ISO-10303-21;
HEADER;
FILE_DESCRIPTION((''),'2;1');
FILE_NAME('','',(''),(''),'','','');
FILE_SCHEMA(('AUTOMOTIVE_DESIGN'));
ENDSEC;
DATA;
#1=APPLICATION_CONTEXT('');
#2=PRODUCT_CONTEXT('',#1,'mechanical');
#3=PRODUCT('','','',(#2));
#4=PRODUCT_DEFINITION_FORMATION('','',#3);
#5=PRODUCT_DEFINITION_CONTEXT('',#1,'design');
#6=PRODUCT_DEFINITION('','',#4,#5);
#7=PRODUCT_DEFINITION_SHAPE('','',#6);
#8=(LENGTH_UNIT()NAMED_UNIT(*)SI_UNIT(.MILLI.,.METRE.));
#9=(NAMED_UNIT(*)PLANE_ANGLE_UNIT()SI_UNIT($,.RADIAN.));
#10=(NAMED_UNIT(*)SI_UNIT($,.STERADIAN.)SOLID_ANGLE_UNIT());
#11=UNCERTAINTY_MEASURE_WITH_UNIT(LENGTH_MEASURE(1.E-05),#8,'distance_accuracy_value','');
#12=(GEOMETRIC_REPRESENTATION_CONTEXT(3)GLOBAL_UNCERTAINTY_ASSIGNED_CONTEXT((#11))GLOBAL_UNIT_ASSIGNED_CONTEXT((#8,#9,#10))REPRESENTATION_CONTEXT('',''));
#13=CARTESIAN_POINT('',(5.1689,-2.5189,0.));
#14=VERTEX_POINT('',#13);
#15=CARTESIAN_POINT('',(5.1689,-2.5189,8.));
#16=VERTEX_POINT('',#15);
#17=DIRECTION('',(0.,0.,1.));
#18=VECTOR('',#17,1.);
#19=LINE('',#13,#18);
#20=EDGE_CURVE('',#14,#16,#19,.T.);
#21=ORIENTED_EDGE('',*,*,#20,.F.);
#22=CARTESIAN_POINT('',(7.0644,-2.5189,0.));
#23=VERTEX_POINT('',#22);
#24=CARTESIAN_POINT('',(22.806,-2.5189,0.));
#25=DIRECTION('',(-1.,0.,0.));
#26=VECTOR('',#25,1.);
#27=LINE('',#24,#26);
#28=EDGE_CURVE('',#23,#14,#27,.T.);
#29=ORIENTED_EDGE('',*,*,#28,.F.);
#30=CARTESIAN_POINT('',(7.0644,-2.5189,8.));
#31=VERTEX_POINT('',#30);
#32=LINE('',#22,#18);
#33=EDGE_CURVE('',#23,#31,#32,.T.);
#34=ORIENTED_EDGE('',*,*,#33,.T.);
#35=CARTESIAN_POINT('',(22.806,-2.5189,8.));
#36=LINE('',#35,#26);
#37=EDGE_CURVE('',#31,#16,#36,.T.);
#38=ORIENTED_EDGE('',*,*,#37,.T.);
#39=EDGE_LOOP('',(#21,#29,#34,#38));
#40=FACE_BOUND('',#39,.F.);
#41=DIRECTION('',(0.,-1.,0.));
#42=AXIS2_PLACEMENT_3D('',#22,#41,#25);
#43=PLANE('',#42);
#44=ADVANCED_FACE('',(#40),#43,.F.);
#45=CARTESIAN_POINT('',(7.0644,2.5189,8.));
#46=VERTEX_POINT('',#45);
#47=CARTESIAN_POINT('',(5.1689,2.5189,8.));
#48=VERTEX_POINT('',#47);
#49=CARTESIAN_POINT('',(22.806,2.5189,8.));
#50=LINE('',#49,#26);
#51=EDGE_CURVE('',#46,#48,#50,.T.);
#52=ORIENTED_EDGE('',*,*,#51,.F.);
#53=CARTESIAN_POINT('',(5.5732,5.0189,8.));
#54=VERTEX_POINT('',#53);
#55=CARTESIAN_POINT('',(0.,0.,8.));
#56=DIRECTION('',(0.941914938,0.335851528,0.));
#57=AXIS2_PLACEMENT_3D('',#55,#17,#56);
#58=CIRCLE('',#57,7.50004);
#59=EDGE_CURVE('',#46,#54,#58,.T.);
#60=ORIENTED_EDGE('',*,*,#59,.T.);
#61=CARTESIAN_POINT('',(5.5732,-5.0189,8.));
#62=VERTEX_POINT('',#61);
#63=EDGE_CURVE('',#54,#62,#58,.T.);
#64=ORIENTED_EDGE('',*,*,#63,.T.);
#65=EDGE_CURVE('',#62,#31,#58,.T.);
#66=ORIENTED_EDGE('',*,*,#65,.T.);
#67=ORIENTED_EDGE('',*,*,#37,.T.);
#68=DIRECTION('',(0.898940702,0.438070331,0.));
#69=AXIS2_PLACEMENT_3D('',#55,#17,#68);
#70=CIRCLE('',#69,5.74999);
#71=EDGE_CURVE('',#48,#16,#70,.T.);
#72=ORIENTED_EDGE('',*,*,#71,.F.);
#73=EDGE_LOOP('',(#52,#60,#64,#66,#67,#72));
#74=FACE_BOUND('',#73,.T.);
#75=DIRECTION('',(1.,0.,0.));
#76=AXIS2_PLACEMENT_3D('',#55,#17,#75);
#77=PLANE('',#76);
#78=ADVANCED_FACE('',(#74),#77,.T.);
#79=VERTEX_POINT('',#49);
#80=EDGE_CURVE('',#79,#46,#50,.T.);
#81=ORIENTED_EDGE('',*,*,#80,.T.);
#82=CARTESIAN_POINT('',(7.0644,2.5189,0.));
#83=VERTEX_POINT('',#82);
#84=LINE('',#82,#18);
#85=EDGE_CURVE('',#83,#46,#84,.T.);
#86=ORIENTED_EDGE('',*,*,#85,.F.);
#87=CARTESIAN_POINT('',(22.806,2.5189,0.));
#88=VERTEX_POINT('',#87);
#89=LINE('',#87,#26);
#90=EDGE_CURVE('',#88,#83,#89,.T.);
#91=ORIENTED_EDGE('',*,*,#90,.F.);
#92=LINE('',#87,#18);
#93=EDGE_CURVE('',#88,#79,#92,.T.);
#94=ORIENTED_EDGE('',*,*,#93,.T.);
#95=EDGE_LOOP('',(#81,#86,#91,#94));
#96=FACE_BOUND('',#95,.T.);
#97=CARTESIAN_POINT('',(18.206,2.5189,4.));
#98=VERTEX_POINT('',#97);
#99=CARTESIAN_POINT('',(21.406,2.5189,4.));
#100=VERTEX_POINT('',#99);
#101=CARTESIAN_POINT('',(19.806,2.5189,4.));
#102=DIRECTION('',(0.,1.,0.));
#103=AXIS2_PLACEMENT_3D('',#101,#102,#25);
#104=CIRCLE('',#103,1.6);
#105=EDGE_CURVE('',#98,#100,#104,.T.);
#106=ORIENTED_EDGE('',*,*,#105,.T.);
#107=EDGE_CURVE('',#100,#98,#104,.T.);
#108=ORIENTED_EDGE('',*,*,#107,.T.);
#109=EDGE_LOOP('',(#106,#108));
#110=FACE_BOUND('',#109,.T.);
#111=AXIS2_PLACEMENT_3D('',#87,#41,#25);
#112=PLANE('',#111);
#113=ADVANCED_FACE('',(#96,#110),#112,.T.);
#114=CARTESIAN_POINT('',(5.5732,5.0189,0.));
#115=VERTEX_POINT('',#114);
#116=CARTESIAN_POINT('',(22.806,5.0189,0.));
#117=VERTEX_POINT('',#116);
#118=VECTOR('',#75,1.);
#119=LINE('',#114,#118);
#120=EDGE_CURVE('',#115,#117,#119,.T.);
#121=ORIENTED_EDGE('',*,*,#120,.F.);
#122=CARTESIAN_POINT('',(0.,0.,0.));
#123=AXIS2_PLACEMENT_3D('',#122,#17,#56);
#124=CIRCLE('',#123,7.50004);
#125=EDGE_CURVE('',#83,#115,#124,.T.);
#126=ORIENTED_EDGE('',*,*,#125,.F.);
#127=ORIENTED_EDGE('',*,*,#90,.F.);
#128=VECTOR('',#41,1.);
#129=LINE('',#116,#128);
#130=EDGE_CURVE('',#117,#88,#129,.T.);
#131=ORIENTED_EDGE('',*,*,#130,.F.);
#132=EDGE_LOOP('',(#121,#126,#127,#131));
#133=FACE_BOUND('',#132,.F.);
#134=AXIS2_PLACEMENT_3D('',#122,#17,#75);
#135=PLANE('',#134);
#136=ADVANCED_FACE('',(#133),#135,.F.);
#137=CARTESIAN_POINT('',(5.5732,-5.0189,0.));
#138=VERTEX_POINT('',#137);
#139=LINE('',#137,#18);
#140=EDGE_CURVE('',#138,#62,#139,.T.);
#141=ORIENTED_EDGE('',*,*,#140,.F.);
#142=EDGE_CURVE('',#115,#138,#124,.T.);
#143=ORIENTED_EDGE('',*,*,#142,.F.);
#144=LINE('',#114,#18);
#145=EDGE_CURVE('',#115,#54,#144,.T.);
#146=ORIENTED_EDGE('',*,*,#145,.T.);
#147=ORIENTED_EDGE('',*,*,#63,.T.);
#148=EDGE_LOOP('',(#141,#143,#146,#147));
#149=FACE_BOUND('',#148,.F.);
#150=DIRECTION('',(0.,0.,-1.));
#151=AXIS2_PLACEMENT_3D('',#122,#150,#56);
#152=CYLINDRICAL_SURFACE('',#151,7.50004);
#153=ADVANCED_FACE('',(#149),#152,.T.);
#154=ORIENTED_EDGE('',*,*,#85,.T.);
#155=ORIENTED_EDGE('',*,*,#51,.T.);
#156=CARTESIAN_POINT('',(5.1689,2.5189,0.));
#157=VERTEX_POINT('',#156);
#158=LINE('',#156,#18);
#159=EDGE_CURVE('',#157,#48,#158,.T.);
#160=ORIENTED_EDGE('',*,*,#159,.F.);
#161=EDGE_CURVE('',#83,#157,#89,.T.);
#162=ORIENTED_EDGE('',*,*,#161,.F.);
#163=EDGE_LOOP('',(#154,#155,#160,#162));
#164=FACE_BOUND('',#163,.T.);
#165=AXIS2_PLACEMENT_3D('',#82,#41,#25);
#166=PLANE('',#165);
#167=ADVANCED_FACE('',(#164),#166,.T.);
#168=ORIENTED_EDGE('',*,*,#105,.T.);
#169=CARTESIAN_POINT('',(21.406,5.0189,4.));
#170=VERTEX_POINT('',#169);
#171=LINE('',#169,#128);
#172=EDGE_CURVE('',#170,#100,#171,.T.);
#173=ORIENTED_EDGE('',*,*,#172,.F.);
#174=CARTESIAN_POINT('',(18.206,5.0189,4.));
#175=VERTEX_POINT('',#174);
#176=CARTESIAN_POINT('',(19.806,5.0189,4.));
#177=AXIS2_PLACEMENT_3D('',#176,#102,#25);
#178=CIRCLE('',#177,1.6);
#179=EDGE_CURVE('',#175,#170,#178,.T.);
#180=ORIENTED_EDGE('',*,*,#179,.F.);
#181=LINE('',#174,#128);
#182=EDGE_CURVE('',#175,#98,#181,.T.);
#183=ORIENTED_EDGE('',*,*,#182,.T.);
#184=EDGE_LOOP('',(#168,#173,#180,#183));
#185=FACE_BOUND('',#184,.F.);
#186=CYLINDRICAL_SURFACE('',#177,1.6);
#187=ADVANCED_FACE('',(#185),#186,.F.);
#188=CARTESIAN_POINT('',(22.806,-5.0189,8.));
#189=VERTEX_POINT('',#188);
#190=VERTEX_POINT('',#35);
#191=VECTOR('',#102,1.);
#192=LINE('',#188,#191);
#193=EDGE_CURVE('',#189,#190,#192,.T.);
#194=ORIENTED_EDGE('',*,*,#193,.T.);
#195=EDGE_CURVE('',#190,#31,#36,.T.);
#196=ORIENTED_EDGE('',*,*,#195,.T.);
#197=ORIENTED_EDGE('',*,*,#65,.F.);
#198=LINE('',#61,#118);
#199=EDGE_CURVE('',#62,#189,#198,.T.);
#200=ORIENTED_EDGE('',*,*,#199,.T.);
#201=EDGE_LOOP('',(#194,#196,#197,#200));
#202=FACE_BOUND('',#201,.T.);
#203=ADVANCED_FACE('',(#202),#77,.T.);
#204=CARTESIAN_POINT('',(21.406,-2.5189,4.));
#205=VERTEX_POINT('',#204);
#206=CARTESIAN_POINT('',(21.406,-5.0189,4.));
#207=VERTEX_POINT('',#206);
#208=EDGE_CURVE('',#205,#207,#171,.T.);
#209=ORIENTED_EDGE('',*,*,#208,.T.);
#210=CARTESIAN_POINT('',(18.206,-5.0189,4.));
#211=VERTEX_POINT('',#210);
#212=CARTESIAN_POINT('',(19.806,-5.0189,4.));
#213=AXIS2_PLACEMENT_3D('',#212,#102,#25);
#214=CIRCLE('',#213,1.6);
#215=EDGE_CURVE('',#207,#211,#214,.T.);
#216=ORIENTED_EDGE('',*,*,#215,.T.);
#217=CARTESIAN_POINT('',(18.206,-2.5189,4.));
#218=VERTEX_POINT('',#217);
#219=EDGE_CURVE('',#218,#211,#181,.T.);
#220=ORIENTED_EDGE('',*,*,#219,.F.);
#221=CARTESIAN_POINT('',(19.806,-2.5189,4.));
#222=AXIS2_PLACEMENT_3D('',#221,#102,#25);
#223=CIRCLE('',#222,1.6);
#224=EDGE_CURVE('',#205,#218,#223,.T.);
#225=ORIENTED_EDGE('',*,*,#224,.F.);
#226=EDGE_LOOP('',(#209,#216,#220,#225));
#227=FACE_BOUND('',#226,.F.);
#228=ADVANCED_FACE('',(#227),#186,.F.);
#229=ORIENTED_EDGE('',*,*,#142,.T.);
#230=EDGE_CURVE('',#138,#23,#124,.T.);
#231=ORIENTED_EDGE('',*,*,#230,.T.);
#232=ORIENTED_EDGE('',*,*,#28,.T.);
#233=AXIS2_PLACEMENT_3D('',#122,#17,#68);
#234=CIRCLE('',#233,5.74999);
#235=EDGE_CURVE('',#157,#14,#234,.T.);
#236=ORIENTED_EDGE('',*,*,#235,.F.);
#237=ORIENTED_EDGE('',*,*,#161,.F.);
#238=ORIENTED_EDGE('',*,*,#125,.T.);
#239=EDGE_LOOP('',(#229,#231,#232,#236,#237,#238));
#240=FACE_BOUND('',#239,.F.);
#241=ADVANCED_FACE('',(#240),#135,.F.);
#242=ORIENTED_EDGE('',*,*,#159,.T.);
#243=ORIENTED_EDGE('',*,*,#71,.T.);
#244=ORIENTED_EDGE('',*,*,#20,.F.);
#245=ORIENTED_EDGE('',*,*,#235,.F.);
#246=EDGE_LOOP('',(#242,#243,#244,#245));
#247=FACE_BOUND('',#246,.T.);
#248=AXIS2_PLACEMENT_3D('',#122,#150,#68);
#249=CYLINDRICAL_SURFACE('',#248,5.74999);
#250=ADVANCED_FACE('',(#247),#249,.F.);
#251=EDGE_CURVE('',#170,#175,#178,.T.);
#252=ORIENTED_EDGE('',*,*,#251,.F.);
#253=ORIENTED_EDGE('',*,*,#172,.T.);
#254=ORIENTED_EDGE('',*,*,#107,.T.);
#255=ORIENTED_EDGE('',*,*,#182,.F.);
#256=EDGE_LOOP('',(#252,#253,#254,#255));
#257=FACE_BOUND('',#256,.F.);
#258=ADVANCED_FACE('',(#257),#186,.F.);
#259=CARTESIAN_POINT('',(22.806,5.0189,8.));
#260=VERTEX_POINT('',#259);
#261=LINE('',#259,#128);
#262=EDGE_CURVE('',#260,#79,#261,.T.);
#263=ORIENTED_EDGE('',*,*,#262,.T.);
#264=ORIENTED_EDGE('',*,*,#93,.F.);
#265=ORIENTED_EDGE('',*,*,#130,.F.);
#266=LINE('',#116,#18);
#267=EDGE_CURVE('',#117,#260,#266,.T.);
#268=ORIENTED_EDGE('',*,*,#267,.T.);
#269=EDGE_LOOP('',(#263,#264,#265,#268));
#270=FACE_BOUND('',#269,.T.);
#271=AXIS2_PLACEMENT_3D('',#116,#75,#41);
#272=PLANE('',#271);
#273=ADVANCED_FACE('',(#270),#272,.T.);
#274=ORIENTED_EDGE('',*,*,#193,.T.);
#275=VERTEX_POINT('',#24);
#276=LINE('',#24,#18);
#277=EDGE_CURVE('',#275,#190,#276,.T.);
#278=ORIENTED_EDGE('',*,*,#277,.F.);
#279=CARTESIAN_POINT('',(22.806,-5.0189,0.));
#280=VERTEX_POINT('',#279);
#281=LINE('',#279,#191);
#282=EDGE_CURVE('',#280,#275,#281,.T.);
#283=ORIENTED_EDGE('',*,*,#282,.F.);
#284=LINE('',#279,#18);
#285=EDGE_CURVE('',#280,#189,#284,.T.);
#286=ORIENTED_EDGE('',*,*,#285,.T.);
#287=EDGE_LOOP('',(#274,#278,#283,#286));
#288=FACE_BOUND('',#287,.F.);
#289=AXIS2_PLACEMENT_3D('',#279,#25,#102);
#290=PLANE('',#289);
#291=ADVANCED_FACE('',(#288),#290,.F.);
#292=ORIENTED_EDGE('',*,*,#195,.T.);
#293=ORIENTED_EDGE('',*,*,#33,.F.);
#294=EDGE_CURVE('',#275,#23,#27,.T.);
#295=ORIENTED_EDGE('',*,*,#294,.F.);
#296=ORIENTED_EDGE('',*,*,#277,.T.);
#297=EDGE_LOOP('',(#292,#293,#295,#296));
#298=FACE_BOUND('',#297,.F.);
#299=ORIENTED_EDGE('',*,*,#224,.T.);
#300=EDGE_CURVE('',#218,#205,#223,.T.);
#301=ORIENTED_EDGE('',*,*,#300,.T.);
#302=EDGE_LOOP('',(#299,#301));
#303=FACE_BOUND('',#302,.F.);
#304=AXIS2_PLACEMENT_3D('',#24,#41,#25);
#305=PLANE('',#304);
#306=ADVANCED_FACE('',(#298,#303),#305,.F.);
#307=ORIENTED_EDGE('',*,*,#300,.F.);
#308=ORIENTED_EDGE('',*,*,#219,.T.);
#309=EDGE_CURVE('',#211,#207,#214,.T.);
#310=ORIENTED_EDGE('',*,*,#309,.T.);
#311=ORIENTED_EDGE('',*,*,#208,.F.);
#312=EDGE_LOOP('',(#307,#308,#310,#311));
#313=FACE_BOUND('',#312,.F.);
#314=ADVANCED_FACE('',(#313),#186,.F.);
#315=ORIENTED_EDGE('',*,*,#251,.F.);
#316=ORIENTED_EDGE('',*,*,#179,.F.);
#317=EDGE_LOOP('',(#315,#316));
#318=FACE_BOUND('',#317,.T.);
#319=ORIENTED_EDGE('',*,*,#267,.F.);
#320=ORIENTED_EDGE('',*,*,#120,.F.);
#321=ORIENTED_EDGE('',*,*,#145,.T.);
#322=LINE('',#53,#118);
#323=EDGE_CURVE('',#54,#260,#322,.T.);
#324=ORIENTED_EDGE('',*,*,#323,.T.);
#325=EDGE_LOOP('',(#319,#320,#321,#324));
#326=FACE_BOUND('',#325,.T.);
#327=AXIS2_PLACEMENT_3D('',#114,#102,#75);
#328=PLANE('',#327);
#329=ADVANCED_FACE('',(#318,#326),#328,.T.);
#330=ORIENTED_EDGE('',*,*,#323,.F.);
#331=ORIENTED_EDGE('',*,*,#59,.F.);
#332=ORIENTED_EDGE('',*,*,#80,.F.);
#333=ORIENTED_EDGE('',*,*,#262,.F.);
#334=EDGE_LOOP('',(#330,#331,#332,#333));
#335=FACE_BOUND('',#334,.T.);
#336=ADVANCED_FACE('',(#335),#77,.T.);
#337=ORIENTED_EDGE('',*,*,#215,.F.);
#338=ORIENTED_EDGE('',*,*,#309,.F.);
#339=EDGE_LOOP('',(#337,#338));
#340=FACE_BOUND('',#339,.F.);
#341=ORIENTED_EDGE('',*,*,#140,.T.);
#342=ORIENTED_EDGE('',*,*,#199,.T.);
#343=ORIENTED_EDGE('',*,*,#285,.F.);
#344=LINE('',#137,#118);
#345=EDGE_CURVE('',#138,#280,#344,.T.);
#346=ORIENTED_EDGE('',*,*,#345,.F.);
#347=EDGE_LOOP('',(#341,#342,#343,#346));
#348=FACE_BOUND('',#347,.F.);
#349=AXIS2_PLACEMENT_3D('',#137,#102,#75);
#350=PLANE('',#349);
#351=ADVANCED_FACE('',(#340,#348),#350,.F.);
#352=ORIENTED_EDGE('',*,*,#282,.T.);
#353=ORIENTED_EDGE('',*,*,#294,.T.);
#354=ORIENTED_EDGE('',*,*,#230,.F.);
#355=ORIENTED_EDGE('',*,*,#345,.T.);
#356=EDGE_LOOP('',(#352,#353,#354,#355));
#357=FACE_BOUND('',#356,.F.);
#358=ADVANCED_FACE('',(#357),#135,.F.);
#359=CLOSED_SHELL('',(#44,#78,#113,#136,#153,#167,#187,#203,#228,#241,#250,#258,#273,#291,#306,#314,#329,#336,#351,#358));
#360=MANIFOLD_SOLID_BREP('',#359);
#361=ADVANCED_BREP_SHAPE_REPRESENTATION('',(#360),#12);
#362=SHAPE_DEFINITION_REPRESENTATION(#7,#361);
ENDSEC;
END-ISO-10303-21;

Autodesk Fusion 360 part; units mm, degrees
sketch "Sketch3" plane through (0, 0, 0) normal (0, 0, 1) x (1, 0, 0)
  line L0 (0, 0) -> (7.5, 0)
  line L1 (5.5732, 5.0189) -> (22.806, 5.0189)
  line L2 (22.806, 5.0189) -> (22.806, 2.5189)
  line L3 (22.806, 2.5189) -> (5.1689, 2.5189)
  line L4 (5.5732, -5.0189) -> (22.806, -5.0189)
  line L5 (22.806, -2.5189) -> (5.1689, -2.5189)
  line L6 (22.806, -5.0189) -> (22.806, -2.5189)
  arc A0 (5.1689, 2.5189) -> (5.1689, -2.5189) centre (0, 0) ccw
  arc A1 (7.0644, 2.5189) -> (7.0644, -2.5189) centre (0, 0) ccw
  dimension "d8" = 11.5
  dimension "d9" = 15
  dimension "d12" = 2.5
extrude "Extrude3" add sketch "Sketch3" along normal blind 8
sketch "Sketch5" plane through (0, 5.0189, 0) normal (0, 1, 0) x (-1, 0, 0)
  line L0 (-22.806, 0) -> (-5.5732, 0)
  line L1 (-5.5732, 0) -> (-5.5732, 8)
  line L2 (-5.5732, 8) -> (-22.806, 8)
  line L3 (-22.806, 8) -> (-22.806, 0)
  line L4 (-22.806, 4) -> (-19.806, 4)
  circle A0 centre (-19.806, 4) radius 1.6
  dimension "d15" = 3
  dimension "d16" = 3.2
extrude "Extrude4" cut sketch "Sketch5" against normal blind 14 contours A0
